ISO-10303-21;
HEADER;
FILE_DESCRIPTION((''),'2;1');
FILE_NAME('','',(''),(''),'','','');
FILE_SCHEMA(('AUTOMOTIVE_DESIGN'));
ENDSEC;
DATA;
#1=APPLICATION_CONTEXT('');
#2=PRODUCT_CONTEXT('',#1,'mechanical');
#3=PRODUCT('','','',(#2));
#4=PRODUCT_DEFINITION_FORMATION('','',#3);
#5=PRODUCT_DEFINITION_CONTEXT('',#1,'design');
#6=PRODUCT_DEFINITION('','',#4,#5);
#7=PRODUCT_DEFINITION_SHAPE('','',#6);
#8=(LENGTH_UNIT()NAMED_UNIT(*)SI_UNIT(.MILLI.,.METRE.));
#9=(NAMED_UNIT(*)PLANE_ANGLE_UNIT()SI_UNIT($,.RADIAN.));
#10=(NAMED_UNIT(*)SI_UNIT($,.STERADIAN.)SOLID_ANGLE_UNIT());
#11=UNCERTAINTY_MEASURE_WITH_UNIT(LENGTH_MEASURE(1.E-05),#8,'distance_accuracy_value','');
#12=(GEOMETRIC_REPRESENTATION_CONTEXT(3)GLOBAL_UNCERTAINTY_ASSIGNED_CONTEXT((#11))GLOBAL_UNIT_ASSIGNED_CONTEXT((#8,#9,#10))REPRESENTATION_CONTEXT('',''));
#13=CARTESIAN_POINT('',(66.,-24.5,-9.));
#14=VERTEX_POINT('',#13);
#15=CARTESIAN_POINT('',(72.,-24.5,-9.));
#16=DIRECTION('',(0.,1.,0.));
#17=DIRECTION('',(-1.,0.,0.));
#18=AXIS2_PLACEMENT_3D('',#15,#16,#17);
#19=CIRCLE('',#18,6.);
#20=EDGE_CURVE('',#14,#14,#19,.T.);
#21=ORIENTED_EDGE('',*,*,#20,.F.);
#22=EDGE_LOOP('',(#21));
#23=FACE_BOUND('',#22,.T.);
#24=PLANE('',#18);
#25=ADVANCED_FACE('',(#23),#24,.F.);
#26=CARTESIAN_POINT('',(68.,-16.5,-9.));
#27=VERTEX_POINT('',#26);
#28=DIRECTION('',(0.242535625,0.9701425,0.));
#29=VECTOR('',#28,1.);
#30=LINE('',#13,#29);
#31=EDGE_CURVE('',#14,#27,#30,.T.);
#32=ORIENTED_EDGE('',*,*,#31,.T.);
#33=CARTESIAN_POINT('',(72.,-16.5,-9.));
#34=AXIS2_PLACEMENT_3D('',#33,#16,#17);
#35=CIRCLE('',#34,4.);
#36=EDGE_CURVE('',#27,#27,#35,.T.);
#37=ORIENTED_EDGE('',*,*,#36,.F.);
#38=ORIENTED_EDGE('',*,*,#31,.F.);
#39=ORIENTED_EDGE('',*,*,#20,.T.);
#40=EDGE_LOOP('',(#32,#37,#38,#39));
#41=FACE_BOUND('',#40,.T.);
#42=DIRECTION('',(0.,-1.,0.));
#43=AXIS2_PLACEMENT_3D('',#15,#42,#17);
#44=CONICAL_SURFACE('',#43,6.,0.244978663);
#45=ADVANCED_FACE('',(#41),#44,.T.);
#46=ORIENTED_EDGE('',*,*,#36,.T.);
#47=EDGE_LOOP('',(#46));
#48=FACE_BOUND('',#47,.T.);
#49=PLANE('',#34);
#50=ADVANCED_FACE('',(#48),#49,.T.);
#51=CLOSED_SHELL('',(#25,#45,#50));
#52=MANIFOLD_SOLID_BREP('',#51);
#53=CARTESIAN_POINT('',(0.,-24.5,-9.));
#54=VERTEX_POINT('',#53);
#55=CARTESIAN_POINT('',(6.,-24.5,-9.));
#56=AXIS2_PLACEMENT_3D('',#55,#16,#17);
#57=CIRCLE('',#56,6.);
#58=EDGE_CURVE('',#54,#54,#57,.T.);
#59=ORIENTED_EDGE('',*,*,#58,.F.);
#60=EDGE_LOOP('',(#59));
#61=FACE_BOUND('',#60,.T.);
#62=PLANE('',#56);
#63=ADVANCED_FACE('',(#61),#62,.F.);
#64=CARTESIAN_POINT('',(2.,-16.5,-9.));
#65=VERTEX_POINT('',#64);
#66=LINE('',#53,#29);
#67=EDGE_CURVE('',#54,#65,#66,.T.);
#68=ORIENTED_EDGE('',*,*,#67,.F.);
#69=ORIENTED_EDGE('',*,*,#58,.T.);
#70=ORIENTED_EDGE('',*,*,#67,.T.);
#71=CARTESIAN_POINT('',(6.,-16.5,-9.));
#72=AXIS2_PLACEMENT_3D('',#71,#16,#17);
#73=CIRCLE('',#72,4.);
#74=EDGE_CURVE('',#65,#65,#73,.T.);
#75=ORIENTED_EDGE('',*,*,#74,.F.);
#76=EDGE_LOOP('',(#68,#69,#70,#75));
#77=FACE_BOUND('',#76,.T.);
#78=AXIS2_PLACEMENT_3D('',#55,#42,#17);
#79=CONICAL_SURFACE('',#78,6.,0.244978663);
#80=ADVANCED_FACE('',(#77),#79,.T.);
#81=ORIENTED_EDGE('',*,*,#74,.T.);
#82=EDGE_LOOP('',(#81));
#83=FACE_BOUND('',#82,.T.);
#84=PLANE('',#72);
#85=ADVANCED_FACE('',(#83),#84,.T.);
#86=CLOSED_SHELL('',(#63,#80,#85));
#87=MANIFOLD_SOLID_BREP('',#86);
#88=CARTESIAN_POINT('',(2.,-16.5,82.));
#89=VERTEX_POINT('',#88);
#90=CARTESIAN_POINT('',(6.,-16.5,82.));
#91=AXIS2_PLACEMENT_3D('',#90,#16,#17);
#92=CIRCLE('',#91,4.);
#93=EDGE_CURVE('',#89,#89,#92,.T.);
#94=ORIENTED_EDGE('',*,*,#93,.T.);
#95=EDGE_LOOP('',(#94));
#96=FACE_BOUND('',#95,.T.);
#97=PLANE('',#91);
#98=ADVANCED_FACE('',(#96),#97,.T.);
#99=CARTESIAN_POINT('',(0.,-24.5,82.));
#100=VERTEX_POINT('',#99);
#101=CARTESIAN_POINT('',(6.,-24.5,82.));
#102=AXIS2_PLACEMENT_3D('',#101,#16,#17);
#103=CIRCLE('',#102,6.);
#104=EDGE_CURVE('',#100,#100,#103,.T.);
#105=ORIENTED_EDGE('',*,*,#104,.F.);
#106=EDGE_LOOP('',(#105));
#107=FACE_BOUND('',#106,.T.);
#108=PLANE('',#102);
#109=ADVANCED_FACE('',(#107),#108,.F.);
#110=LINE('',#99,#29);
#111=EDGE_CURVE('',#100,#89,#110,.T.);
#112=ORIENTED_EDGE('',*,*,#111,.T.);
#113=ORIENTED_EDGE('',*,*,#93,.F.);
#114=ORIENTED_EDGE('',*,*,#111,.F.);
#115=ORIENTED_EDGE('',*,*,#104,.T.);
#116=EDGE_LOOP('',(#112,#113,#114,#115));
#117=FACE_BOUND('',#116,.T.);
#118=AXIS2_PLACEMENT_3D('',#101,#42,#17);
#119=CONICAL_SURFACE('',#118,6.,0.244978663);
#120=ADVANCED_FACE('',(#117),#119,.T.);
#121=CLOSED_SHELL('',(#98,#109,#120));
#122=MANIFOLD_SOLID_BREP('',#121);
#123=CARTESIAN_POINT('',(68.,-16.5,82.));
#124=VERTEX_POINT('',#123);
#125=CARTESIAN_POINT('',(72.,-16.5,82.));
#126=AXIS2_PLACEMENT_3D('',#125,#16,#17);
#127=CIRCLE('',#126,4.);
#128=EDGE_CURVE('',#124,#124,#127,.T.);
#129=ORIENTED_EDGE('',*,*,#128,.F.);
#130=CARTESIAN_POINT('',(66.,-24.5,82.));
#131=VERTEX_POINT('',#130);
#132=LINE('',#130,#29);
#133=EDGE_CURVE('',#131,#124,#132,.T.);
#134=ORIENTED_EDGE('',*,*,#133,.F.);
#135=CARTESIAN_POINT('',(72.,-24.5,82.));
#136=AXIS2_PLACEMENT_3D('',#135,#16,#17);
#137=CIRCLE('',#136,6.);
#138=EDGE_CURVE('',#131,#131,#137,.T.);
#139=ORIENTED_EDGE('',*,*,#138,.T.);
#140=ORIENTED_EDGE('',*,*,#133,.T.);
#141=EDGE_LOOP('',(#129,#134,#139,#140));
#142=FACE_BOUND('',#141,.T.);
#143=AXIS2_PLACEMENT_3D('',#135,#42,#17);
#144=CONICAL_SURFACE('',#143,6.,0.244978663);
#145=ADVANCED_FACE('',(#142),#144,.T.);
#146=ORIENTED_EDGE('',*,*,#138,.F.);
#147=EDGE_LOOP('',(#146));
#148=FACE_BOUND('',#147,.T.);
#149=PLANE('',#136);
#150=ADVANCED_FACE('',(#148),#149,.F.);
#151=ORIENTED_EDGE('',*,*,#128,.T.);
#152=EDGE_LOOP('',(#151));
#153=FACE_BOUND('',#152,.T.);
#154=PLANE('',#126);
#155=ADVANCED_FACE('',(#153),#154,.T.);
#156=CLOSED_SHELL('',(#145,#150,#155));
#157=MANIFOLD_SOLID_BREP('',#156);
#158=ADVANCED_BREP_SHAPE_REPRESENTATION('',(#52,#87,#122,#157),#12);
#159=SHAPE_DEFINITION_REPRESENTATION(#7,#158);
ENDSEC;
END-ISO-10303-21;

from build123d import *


with BuildPart() as cone002:
    # Cone002 → Cone002 (revolve)
    with BuildSketch(Plane(origin=(6, -24.5, 82), x_dir=(-1, 0, 0), z_dir=(0, 0, -1))):
        Polygon((0, 0), (6, 0), (4, 8), (0, 8), align=None)
    revolve(axis=Axis((6, -24.5, 82), (0, 1, 0)))


with BuildPart() as cone003:
    # Cone003 → Cone003 (revolve)
    with BuildSketch(Plane(origin=(72, -24.5, -9), x_dir=(-1, 0, 0), z_dir=(0, 0, -1))):
        Polygon((0, 0), (6, 0), (4, 8), (0, 8), align=None)
    revolve(axis=Axis((72, -24.5, -9), (0, 1, 0)))


with BuildPart() as cone004:
    # Cone004 → Cone004 (revolve)
    with BuildSketch(Plane(origin=(72, -24.5, 82), x_dir=(-1, 0, 0), z_dir=(0, 0, -1))):
        Polygon((0, 0), (6, 0), (4, 8), (0, 8), align=None)
    revolve(axis=Axis((72, -24.5, 82), (0, 1, 0)))


with BuildPart() as m3nutsholds:
    # Cone001 → Cone001 (revolve)
    with BuildSketch(Plane(origin=(6, -24.5, -9), x_dir=(-1, 0, 0), z_dir=(0, 0, -1))):
        Polygon((0, 0), (6, 0), (4, 8), (0, 8), align=None)
    revolve(axis=Axis((6, -24.5, -9), (0, 1, 0)))

    # Fusion043: union Cone002, Cone003, Cone004
    add(cone002.part)
    add(cone003.part)
    add(cone004.part)


solid = m3nutsholds.part
